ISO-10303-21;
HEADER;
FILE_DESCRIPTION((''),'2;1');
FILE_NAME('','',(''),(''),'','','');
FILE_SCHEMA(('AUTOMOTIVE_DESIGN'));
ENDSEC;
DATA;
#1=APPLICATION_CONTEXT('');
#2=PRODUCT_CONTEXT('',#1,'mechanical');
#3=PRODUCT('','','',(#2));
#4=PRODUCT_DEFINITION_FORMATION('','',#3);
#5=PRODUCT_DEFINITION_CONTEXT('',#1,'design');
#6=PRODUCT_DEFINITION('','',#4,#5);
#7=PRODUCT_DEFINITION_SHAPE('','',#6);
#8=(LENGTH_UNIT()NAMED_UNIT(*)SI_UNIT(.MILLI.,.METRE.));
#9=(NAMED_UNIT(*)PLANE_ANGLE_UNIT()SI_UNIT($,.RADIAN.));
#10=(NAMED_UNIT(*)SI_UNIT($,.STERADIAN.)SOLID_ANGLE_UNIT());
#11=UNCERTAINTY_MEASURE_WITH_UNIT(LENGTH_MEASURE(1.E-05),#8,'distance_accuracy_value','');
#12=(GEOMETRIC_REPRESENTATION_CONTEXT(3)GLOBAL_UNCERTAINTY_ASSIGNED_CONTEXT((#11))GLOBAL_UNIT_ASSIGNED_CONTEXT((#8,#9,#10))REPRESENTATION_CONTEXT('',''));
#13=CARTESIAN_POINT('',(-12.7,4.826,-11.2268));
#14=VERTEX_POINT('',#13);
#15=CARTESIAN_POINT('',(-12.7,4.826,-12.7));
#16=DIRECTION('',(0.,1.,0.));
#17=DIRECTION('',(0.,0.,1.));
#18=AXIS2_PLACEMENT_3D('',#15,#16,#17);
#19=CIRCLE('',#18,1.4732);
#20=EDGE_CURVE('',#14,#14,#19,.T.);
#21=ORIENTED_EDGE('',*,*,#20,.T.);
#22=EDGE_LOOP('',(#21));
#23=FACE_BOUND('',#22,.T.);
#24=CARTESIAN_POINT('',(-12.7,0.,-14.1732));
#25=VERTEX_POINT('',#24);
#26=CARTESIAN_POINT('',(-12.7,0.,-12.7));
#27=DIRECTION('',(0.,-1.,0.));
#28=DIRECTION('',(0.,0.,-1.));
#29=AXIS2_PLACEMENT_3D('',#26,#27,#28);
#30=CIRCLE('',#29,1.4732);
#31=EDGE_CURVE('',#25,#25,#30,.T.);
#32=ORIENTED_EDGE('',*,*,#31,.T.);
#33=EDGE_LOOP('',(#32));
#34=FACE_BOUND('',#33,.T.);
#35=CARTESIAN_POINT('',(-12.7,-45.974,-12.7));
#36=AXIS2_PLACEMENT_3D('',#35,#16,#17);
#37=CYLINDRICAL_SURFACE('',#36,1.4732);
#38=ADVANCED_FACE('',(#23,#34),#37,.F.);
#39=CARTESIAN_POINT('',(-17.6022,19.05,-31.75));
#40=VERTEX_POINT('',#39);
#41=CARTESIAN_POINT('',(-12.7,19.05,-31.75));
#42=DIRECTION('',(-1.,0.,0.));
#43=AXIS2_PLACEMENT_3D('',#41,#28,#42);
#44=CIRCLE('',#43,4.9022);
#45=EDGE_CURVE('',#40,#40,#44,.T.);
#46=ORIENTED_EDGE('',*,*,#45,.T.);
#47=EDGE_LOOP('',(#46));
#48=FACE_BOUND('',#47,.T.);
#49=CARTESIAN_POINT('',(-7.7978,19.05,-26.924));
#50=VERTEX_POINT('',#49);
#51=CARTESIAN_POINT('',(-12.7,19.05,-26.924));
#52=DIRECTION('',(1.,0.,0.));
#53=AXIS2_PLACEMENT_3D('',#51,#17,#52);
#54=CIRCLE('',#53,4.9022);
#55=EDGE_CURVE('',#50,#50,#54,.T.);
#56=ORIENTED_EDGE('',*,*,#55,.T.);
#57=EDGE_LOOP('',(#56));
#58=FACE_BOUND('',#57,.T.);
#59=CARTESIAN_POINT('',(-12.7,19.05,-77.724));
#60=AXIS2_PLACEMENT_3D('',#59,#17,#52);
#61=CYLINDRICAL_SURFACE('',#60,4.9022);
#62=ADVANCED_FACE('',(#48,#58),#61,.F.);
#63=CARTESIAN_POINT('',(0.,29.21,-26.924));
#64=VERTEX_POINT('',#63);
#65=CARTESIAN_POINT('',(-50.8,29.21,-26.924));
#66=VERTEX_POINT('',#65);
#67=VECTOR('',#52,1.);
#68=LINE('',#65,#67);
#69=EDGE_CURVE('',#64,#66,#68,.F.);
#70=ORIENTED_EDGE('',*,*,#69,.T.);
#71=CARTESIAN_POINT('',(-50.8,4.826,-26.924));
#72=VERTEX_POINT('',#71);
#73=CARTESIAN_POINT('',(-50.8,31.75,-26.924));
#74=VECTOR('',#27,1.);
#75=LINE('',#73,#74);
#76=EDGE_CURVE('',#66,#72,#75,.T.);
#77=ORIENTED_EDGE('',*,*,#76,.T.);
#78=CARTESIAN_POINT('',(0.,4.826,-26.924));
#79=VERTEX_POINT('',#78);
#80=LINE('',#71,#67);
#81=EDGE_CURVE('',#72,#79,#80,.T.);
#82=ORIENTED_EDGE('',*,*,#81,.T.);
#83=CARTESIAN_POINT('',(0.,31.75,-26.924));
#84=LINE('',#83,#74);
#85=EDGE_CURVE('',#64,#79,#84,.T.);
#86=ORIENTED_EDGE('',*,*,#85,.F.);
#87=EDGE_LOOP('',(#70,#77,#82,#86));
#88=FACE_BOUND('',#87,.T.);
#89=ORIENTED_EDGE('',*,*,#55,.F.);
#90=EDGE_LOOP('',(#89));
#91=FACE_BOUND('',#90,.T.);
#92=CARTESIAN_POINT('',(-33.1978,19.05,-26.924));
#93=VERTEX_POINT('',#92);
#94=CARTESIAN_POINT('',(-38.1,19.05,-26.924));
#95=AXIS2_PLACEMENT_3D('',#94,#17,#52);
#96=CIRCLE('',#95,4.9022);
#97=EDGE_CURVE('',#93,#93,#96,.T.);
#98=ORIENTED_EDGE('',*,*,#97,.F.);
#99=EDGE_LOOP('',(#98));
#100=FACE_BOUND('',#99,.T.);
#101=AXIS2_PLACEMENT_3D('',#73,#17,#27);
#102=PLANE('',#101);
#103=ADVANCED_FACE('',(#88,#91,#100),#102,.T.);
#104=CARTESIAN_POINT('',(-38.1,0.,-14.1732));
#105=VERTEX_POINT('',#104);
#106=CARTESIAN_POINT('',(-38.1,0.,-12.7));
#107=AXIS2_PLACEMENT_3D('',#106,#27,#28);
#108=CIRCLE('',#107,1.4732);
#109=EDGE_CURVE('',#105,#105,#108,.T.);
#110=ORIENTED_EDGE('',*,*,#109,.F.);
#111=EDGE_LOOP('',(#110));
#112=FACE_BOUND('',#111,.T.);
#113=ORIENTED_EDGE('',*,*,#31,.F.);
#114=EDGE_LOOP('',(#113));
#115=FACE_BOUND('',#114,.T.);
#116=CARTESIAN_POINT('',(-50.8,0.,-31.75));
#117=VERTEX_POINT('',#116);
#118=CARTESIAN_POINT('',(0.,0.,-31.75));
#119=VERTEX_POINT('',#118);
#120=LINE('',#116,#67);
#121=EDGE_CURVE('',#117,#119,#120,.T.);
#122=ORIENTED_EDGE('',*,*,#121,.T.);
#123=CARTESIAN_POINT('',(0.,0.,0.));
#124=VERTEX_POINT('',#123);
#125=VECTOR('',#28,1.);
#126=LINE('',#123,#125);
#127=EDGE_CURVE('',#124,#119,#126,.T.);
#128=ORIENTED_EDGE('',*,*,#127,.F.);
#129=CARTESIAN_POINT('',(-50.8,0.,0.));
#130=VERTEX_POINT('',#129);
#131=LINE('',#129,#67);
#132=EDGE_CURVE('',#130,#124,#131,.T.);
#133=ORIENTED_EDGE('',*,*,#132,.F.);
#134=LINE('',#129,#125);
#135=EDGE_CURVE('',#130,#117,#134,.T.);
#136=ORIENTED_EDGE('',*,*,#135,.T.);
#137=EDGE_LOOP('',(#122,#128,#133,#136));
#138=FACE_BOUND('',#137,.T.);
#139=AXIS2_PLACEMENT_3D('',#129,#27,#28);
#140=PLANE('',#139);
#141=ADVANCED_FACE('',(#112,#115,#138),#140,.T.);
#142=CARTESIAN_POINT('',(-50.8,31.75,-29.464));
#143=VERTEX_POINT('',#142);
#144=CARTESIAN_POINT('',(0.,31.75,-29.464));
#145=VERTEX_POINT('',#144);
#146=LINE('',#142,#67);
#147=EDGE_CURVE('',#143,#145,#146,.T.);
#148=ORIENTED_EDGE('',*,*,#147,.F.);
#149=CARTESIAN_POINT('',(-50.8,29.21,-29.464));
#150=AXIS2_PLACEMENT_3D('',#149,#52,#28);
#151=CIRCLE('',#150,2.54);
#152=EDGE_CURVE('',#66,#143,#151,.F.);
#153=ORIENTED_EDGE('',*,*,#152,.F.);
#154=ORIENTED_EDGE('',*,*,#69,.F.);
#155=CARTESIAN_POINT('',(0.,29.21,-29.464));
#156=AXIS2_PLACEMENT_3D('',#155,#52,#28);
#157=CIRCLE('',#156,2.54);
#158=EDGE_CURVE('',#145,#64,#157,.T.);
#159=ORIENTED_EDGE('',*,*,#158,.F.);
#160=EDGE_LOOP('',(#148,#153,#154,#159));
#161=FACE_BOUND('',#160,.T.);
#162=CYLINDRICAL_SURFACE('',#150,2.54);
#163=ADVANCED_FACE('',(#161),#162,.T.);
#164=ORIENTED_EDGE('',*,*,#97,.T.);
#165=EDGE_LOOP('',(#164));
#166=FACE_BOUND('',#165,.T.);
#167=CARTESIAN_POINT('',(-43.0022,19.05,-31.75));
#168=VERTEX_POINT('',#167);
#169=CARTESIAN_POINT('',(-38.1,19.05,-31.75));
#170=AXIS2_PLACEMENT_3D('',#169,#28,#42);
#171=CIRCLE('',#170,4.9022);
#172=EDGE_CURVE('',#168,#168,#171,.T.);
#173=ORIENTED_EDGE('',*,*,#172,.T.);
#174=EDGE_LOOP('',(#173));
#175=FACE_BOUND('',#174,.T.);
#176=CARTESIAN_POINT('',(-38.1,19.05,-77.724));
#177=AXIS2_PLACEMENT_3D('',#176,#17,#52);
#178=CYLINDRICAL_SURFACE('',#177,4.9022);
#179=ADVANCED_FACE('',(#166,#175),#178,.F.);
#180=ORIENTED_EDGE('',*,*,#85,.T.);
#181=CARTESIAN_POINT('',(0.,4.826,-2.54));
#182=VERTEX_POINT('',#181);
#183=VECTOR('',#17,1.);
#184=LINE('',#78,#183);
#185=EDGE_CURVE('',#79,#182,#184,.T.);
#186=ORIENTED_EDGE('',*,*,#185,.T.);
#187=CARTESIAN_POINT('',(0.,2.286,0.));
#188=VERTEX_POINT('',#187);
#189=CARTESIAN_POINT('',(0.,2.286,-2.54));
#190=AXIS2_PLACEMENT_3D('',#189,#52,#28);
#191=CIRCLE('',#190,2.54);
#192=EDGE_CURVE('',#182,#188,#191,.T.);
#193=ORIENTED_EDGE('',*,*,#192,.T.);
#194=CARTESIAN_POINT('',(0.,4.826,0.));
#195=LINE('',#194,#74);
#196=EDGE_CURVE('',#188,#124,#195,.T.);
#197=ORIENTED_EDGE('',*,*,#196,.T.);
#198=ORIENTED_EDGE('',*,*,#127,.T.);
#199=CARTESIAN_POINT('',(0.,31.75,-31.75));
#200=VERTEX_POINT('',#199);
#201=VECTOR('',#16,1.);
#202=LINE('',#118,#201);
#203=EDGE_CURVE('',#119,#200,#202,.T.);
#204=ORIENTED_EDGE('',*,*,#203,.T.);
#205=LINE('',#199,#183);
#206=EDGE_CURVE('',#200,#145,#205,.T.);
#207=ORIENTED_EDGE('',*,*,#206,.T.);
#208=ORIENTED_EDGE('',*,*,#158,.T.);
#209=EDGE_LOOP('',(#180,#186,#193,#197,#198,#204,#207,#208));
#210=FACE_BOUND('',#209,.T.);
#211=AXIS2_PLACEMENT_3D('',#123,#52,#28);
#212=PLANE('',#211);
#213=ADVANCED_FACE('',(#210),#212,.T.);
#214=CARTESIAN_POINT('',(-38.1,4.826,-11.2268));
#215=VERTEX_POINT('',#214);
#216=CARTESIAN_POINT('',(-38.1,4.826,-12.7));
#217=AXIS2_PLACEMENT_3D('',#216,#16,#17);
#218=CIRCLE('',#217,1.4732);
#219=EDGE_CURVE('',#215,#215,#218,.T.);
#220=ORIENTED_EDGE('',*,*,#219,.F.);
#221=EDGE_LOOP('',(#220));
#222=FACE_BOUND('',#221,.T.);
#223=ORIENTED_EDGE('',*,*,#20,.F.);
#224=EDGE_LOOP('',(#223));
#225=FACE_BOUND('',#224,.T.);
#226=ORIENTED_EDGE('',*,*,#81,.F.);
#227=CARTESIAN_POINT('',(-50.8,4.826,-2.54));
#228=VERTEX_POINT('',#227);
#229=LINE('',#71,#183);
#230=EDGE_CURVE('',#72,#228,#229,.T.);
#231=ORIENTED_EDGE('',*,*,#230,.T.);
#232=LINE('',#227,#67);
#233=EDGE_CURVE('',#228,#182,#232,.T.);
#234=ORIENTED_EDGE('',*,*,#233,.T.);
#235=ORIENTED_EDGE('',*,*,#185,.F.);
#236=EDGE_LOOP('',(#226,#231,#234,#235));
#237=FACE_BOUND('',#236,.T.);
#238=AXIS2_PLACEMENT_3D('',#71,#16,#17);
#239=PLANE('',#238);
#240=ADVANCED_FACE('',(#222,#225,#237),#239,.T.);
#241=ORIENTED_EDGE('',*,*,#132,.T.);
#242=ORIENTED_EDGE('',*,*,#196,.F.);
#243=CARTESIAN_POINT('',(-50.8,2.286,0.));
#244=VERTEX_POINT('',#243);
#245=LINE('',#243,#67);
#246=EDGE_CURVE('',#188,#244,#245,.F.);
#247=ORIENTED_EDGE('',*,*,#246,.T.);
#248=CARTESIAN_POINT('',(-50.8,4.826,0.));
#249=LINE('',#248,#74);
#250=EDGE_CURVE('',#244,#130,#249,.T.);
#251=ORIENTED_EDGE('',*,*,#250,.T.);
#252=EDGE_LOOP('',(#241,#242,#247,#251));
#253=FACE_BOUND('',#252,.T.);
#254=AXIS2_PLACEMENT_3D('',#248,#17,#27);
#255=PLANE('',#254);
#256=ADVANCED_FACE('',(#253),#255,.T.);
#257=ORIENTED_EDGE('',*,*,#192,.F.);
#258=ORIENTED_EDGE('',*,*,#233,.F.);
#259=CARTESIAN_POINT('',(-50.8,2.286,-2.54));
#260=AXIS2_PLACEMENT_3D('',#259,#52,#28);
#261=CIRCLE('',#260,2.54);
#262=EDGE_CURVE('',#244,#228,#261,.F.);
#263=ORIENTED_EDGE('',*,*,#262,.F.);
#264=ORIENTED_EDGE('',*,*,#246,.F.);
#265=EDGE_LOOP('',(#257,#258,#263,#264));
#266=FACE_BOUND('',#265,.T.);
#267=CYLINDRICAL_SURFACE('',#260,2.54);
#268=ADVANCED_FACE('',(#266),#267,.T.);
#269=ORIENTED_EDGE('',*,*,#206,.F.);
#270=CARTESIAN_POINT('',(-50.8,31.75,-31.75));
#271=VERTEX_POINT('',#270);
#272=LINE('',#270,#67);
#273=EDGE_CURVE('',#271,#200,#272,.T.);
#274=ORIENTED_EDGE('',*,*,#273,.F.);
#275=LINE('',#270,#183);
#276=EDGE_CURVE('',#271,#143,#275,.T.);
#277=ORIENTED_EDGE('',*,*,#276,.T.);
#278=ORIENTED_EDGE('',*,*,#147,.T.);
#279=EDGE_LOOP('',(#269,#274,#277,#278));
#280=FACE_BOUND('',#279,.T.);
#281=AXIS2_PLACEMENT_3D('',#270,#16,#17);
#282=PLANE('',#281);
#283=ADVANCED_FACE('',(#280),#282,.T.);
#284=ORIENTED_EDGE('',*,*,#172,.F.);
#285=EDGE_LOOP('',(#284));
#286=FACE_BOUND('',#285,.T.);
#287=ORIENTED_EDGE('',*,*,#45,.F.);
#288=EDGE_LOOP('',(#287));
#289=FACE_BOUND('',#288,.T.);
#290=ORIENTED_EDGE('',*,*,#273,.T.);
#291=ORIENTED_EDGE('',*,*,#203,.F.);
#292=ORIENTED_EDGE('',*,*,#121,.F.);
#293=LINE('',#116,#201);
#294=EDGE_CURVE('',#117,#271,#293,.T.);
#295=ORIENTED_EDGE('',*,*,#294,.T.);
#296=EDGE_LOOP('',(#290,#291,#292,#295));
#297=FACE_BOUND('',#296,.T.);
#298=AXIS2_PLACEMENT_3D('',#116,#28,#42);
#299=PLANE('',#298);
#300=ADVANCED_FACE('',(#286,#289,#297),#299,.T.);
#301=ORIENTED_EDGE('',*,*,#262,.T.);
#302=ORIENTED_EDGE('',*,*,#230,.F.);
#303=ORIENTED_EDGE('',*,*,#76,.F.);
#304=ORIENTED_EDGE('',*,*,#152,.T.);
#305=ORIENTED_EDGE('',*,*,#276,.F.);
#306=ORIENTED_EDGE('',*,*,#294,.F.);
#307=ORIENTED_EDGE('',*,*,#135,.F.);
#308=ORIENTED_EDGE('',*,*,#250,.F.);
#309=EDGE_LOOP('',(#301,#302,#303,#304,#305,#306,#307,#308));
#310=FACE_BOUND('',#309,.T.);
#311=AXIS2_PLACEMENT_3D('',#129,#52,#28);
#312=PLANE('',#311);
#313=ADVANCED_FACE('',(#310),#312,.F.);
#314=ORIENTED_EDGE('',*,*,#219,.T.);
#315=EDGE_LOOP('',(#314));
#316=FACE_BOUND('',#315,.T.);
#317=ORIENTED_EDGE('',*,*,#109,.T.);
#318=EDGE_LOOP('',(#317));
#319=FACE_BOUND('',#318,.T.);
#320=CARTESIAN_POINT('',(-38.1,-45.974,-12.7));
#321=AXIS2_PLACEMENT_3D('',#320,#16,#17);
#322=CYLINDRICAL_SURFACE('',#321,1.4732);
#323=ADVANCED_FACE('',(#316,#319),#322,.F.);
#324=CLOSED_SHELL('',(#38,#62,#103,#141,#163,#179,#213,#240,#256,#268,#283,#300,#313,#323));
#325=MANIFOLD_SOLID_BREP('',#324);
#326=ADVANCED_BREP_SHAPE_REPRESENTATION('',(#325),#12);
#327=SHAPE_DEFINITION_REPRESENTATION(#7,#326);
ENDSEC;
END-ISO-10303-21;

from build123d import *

# Parameters (mm, degrees)
BOSS_EXTRUDE1_DEPTH = 50.8
SKETCH3_R           = 4.9022
CUT_EXTRUDE1_DEPTH  = 50.8
SKETCH4_R           = 1.4732
CUT_EXTRUDE2_DEPTH  = 50.8
FILLET1_R           = 2.54


with BuildPart() as part:
    # Sketch2 → Boss-Extrude1 (new body)
    with BuildSketch(Plane(origin=(0, 0, 0), x_dir=(0, 0, -1), z_dir=(1, 0, 0))):
        Polygon((0, 0), (31.75, 0), (31.75, 31.75), (26.924, 31.75), (26.924, 4.826), (0, 4.826), align=None)
    extrude(amount=-BOSS_EXTRUDE1_DEPTH)

    # Sketch3 → Cut-Extrude1 (cut)
    with BuildSketch(Plane.XY.offset(-26.924)):
        with Locations((-38.1, 19.05)):
            Circle(SKETCH3_R)
        with Locations((-12.7, 19.05)):
            Circle(SKETCH3_R)
    extrude(amount=-CUT_EXTRUDE1_DEPTH, mode=Mode.SUBTRACT)

    # Sketch4 → Cut-Extrude2 (cut)
    with BuildSketch(Plane(origin=(0, 4.826, 0), x_dir=(1, 0, 0), z_dir=(0, 1, 0))):
        with Locations((-38.1, 12.7)):
            Circle(SKETCH4_R)
        with Locations((-12.7, 12.7)):
            Circle(SKETCH4_R)
    extrude(amount=-CUT_EXTRUDE2_DEPTH, mode=Mode.SUBTRACT)

    # Fillet1
    fillet1_edges = [part.edges().sort_by_distance(p)[0] for p in [
        (-25.4, 4.826, 0),
        (-25.4, 31.75, -26.924),
    ]]
    fillet(fillet1_edges, radius=FILLET1_R)


solid = part.part
